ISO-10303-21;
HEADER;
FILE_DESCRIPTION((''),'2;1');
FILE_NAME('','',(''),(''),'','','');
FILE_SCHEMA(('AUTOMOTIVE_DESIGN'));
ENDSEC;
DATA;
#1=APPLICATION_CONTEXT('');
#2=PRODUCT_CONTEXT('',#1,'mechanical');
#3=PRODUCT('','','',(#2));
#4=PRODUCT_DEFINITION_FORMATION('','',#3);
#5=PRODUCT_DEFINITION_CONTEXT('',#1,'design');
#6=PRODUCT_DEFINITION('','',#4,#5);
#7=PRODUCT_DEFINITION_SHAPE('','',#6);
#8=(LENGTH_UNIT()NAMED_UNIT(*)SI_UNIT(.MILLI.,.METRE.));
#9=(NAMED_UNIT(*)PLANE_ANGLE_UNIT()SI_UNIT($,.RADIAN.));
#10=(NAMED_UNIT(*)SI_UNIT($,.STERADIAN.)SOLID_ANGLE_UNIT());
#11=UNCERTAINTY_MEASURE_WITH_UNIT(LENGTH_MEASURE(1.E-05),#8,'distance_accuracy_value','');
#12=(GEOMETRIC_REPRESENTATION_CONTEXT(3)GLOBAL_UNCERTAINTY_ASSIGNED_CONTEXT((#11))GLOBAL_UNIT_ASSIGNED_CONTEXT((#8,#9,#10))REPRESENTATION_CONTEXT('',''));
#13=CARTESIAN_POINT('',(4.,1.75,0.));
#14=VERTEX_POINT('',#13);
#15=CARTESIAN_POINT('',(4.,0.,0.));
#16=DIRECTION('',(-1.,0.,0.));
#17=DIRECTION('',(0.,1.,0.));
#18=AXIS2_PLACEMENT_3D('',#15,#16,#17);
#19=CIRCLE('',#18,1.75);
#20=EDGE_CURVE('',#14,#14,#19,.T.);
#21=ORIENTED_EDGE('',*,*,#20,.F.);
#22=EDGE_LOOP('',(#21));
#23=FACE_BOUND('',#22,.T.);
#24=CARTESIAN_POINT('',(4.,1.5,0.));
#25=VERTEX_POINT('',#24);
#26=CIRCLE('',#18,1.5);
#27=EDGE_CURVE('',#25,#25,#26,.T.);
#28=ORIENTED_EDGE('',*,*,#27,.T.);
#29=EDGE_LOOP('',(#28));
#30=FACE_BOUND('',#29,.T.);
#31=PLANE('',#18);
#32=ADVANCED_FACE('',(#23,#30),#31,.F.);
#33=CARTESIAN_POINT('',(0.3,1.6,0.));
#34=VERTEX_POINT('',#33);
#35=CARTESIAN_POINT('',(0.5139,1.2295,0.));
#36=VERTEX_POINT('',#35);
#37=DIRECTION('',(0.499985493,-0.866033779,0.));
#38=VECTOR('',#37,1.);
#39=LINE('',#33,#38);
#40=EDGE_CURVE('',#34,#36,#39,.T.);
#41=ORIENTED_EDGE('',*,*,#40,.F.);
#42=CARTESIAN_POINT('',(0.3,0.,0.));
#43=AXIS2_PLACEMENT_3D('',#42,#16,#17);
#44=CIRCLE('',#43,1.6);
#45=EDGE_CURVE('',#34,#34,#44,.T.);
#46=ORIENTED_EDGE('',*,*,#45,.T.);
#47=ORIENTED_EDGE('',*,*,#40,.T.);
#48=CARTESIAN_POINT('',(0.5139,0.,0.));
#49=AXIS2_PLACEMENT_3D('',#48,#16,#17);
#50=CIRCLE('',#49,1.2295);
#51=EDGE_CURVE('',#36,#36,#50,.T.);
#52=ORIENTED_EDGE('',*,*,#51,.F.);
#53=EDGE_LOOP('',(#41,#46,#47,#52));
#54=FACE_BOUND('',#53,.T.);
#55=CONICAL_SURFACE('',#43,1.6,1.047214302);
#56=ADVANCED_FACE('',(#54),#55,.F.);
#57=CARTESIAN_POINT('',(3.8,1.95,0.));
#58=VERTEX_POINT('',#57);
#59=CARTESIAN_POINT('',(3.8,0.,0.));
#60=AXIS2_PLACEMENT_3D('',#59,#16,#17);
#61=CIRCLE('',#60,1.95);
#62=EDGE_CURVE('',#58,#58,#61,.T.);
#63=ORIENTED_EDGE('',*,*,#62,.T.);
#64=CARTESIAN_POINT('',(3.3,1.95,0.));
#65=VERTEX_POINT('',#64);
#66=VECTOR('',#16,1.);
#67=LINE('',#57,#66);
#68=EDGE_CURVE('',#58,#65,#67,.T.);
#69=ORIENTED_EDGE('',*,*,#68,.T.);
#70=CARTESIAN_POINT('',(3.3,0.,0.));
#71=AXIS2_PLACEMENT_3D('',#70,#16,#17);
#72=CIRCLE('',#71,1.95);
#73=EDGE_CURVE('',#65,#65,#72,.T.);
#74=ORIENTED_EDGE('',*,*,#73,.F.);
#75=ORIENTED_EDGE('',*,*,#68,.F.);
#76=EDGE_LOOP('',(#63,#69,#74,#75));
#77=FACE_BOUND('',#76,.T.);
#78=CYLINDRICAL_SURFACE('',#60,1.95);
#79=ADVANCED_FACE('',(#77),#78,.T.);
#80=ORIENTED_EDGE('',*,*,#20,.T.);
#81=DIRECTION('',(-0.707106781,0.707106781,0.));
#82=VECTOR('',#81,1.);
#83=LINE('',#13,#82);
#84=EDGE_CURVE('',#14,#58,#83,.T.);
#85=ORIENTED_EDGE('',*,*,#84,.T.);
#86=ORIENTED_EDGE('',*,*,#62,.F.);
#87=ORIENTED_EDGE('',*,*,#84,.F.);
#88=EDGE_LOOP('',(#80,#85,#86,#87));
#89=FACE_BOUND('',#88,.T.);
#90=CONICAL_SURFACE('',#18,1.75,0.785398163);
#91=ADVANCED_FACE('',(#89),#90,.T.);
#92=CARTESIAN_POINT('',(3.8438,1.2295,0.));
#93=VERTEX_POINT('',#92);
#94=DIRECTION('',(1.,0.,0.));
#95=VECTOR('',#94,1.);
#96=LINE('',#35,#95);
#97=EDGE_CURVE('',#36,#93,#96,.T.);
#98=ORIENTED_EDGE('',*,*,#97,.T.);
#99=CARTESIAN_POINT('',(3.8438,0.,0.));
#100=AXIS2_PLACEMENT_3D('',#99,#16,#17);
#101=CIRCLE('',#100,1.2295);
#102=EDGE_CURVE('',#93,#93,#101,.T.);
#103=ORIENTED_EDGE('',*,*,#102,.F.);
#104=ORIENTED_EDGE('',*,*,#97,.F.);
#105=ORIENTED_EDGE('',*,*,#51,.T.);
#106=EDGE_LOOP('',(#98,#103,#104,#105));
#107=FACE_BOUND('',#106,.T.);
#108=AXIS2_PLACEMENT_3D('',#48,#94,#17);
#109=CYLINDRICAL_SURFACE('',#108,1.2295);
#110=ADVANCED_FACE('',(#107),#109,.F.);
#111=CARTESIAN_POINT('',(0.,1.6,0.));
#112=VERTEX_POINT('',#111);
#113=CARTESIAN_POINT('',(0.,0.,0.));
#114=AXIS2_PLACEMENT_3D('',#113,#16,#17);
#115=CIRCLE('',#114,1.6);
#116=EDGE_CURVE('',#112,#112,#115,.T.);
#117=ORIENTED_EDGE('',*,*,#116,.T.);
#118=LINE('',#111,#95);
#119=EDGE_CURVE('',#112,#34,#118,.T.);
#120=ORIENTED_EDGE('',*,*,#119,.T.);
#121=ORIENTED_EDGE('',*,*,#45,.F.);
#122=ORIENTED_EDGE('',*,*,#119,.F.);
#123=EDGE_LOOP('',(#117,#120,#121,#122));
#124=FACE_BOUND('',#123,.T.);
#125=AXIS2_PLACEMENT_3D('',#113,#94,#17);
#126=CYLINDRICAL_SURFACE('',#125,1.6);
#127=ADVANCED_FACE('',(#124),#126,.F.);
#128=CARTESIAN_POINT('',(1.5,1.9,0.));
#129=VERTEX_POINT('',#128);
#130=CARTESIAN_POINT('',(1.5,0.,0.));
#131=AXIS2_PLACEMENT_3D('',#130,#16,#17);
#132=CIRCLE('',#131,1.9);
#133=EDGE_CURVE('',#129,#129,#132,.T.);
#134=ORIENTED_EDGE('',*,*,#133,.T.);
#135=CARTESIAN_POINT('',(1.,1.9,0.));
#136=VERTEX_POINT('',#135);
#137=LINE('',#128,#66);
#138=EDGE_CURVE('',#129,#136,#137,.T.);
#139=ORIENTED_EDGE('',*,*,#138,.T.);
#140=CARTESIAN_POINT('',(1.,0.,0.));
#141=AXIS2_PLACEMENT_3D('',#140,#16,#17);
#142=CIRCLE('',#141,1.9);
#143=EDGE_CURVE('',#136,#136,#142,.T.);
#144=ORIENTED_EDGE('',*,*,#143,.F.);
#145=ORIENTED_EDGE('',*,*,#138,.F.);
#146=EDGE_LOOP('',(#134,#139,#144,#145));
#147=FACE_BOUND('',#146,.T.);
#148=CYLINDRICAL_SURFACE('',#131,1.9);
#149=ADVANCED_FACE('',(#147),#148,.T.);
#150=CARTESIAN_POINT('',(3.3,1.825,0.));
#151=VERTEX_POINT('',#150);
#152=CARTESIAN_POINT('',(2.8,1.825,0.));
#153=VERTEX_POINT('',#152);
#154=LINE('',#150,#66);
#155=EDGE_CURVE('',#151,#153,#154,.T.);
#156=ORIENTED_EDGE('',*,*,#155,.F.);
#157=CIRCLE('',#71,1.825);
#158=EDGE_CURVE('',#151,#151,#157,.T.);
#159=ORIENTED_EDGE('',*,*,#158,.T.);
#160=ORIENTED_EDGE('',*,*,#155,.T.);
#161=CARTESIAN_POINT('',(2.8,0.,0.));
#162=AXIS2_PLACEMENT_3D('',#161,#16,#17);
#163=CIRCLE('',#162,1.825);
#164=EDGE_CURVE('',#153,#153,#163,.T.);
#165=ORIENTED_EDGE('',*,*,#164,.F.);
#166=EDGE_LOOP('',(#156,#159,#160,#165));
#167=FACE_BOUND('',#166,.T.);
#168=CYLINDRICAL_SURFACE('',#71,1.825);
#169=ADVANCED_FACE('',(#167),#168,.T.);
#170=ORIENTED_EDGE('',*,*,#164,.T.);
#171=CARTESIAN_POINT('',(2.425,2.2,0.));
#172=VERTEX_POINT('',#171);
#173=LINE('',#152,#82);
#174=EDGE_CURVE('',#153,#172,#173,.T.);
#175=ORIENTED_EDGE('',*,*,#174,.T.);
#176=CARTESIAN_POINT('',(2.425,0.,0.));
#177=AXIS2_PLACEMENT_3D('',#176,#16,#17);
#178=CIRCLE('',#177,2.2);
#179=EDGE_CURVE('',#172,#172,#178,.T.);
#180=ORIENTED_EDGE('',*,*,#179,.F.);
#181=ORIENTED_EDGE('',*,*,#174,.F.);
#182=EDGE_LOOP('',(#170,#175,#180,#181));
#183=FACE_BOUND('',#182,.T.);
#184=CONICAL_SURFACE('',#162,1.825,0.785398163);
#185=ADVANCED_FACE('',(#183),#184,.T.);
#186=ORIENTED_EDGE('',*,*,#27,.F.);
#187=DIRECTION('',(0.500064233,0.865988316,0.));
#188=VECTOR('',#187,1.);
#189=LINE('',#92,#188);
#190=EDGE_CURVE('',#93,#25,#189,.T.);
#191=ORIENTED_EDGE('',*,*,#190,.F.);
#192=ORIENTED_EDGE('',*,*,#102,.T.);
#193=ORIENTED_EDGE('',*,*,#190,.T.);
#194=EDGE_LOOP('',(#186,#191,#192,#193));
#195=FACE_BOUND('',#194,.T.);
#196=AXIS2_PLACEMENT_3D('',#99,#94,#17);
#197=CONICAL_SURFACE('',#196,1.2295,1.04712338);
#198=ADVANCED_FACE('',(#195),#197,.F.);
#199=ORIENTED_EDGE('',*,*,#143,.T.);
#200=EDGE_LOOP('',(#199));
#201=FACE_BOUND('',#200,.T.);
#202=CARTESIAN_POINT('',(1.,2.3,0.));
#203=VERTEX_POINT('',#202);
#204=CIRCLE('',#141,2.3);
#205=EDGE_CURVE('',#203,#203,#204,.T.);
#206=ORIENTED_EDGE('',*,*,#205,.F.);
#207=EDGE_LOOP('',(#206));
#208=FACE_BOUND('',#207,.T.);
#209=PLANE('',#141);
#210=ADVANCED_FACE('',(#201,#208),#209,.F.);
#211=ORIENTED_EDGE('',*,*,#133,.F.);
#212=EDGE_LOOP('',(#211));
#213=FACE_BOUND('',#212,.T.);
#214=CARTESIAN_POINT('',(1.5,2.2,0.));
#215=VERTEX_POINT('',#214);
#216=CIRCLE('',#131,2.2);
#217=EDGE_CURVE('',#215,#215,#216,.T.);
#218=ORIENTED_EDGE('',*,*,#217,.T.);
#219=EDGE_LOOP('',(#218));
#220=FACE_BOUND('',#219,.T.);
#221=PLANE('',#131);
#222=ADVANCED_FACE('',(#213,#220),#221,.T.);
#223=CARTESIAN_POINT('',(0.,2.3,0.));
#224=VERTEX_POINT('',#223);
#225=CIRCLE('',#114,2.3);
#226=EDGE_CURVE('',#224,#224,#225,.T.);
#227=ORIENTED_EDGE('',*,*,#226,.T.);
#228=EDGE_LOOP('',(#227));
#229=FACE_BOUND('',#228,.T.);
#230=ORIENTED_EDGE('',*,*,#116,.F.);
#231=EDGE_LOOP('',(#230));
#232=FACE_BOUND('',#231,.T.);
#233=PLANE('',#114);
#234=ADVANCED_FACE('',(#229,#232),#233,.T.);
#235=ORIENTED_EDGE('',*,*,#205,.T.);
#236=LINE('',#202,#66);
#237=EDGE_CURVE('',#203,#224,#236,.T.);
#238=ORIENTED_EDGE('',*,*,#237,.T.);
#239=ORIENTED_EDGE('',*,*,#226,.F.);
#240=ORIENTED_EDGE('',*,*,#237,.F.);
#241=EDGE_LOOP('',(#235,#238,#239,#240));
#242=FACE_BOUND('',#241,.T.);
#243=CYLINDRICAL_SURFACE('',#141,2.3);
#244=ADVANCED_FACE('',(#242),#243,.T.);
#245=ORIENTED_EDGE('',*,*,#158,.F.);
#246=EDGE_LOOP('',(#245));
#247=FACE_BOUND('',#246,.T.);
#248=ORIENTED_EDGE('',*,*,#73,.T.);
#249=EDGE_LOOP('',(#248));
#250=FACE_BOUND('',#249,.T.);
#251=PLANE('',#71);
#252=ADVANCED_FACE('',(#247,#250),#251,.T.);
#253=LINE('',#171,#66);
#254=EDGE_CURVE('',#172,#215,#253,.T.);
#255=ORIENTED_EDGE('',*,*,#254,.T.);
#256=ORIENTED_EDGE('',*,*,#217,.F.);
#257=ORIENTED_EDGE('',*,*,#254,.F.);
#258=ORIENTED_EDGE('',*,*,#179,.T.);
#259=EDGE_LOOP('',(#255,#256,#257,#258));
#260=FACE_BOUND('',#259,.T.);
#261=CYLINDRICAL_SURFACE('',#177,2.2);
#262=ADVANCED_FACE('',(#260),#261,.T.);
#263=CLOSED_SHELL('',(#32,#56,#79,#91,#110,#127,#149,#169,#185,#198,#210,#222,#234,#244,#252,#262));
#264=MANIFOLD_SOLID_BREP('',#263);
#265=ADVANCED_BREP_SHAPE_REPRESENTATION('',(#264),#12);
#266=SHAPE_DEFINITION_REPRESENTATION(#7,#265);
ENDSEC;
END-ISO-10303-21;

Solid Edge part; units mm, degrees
sketch "Sketch1" plane through (0, 0, 0) normal (0, 0, 1) x (1, 0, 0)
  line L0 (0, 2.3) -> (0, 1.6)
  line L1 (0, 1.6) -> (0.3, 1.6)
  line L2 (0.3, 1.6) -> (0.5139, 1.2295)
  line L3 (0.5139, 1.2295) -> (3.8438, 1.2295)
  line L4 (3.8438, 1.2295) -> (4, 1.5)
  line L5 (4, 1.5) -> (4, 1.75)
  line L6 (4, 1.75) -> (3.8, 1.95)
  line L7 (3.8, 1.95) -> (3.3, 1.95)
  line L8 (3.3, 1.95) -> (3.3, 1.825)
  line L9 (3.3, 1.825) -> (2.8, 1.825)
  line L10 (2.8, 1.825) -> (2.425, 2.2)
  line L11 (2.425, 2.2) -> (1.5, 2.2)
  line L12 (1.5, 2.2) -> (1.5, 1.9)
  line L13 (1.5, 1.9) -> (1, 1.9)
  line L14 (1, 1.9) -> (1, 2.3)
  line L15 (1, 2.3) -> (0, 2.3)
revolve "RevolvedProtrusion1" add sketch "Sketch1" angle 360 about axis through (4, 0, 0) along (-1, 0, 0)
cosmetic_thread "Thread1" size "M3"
properties part number "KerbKonus 861000030800"
